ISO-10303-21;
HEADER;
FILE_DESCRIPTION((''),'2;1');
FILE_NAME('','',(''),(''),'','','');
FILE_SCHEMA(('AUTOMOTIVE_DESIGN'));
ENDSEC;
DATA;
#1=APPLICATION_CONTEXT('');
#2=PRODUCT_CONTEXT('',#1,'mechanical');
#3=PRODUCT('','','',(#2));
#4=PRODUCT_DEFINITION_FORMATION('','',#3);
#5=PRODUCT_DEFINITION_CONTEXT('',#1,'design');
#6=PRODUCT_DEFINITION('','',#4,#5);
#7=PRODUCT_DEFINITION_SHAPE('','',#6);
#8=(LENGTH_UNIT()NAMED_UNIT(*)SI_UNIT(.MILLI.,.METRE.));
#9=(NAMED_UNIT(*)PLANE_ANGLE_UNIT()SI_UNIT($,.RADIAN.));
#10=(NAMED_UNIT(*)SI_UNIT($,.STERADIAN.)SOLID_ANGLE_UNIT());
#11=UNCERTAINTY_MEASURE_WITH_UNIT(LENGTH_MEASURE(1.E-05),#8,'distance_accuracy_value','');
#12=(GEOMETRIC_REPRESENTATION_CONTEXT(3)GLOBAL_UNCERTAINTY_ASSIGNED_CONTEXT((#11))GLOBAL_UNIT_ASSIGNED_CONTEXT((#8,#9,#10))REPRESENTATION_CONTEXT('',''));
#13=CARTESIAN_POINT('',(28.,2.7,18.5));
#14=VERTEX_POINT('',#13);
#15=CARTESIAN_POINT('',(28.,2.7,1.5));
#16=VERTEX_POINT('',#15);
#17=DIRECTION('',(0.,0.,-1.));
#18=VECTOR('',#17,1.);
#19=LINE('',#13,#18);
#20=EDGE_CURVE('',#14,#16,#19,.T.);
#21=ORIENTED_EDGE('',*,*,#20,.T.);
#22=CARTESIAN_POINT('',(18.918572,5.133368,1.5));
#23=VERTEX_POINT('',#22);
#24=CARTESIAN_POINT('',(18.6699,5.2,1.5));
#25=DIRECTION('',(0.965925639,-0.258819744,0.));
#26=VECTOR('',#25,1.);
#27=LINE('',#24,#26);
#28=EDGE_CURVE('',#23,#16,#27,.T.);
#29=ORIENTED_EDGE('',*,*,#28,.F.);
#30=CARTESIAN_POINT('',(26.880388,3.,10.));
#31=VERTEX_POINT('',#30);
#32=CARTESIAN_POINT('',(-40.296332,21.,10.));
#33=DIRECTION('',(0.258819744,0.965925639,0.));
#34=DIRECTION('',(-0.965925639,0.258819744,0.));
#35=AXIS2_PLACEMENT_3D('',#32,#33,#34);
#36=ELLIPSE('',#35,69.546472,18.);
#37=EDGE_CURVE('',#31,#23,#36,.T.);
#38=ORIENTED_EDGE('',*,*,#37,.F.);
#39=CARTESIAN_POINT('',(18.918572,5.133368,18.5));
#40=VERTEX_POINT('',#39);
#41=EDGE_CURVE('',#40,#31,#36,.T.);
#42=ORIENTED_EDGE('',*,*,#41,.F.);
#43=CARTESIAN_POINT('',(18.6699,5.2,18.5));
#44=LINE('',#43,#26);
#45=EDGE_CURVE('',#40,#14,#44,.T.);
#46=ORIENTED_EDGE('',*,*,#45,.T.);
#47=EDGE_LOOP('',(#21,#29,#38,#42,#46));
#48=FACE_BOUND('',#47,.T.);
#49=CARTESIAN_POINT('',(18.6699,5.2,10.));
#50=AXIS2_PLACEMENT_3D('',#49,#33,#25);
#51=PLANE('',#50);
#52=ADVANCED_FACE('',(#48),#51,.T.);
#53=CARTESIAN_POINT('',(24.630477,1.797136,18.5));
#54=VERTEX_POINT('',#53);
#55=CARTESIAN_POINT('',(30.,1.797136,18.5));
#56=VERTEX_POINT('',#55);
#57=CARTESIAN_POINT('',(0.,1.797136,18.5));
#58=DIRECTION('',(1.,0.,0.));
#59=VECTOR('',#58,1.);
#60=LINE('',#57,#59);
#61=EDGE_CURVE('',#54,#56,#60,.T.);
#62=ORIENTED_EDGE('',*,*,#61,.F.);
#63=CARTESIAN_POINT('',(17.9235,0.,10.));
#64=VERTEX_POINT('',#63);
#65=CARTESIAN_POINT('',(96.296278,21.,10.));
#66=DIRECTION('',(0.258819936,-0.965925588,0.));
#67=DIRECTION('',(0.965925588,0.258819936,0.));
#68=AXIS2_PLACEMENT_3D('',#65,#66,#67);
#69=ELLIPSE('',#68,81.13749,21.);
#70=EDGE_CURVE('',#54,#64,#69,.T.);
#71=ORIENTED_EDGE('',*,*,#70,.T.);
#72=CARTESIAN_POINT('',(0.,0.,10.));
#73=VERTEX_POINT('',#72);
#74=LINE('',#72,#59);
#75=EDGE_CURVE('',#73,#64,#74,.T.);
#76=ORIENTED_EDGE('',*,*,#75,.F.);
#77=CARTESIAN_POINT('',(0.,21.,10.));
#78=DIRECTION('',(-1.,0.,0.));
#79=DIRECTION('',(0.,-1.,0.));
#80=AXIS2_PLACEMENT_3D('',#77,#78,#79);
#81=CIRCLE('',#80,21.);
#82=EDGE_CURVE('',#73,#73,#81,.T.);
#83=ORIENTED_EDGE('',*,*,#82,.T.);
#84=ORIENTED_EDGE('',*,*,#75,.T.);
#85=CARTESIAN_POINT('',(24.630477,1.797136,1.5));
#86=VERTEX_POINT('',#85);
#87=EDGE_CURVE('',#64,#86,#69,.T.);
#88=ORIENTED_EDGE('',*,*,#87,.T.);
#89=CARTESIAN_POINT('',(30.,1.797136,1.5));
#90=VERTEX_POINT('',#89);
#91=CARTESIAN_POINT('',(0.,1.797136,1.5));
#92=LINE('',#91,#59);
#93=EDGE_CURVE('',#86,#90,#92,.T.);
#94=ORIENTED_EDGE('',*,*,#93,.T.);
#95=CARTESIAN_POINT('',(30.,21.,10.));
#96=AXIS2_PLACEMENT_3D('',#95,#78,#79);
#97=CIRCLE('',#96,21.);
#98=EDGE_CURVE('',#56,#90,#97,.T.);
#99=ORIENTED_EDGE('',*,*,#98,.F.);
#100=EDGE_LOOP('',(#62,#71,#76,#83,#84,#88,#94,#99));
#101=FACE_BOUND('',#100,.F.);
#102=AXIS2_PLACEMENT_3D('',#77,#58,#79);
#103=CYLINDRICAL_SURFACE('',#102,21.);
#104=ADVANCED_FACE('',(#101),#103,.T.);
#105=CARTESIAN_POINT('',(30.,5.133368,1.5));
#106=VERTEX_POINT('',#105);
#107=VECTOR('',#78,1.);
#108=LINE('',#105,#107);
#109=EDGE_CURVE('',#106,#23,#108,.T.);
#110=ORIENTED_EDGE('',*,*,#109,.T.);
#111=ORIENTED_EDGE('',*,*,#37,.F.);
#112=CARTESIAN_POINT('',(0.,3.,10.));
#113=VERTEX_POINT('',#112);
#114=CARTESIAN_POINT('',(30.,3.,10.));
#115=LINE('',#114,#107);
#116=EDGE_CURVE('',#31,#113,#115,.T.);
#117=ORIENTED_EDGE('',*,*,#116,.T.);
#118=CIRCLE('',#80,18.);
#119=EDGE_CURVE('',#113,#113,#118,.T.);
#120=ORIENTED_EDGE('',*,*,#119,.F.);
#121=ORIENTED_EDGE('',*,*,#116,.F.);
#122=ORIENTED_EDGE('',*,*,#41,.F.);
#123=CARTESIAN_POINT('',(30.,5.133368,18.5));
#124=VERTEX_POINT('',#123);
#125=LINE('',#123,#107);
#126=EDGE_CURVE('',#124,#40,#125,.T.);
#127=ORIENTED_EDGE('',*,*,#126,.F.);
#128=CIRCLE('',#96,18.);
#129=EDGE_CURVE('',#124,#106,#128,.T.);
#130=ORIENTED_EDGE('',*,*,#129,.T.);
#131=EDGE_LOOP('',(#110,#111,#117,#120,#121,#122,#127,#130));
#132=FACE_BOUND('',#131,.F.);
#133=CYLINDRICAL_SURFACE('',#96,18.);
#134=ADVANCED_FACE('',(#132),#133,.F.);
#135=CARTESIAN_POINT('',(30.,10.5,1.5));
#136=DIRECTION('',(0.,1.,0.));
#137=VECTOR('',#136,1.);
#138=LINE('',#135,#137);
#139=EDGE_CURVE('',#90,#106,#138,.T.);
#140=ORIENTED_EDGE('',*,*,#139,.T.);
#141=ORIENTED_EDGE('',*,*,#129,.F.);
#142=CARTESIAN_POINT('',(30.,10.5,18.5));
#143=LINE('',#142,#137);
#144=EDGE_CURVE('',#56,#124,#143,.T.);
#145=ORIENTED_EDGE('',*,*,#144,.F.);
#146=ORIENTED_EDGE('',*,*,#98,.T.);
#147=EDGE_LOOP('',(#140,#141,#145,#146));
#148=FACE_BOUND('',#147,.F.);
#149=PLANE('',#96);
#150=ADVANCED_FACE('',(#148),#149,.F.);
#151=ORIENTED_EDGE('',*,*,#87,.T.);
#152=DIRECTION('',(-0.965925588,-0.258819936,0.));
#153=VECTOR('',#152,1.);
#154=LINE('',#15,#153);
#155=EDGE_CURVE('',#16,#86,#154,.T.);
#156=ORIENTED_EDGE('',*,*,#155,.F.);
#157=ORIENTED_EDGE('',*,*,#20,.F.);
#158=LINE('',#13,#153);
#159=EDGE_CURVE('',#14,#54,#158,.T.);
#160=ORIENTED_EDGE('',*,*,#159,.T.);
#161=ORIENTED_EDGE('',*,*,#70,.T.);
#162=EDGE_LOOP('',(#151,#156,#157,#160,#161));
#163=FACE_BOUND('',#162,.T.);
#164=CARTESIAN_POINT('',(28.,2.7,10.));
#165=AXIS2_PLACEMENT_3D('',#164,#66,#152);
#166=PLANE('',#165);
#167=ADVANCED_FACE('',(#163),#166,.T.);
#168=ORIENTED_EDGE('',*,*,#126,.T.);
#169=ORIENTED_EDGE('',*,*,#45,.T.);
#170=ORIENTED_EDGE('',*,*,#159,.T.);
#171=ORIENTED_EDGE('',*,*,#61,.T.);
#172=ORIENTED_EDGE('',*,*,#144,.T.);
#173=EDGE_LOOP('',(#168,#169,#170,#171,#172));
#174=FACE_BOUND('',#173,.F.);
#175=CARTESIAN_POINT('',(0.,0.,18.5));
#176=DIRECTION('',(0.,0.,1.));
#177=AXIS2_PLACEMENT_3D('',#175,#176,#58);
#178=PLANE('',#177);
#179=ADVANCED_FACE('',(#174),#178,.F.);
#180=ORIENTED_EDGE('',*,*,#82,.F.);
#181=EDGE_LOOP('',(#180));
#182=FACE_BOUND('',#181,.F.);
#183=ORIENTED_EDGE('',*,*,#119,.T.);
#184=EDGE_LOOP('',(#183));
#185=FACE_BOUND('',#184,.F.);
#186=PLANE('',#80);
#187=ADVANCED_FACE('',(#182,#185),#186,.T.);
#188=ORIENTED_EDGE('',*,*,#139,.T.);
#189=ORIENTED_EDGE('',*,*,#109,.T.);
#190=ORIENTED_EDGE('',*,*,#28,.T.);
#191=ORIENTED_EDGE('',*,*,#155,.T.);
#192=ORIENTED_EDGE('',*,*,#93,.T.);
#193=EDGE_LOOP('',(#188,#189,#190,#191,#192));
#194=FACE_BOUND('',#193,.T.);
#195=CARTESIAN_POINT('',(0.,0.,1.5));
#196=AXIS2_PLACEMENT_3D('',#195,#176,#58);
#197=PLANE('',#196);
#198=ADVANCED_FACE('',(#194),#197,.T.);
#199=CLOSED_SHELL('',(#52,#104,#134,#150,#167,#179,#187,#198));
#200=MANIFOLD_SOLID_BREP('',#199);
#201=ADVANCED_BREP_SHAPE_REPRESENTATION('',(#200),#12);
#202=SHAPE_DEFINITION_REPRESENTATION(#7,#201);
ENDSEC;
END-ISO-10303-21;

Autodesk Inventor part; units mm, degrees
ref_plane "YZ Plane" through (0, 0, 0) normal (1, 0, 0) x (0, 1, 0)
ref_plane "XZ Plane" through (0, 0, 0) normal (0, 1, 0) x (-1, 0, 0)
ref_plane "Work Plane1" through (0, 0, 10) normal (0, 0, 1) x (1, 0, 0)
sketch "Sketch2" plane through (0, 0, 10) normal (0, 0, 1) x (1, 0, 0)
  line L0 (0, 0) -> (30, 0)
  line L1 (30, 0) -> (30, 3)
  line L2 (30, 3) -> (0, 3)
  line L3 (0, 3) -> (0, 0)
  line L4 (30, 21) -> (0, 21)
  dimension "d11" = 30
  dimension "d12" = 3
  dimension "d29" = 42
revolve "Revolution1" add sketch "Sketch2" angle 360 about axis through (30, 21, 10) along (-1, 0, 0)
sketch "Sketch3" plane through (0, 0, 10) normal (0, 0, 1) x (1, 0, 0)
  line L0 (17.9235, 0) -> (34.9235, 0)
  line L1 (34.9235, 0) -> (34.9235, 5.2)
  line L2 (34.9235, 5.2) -> (18.6699, 5.2)
  line L3 (18.6699, 5.2) -> (28, 2.7)
  line L4 (28, 2.7) -> (17.9235, 0)
  line L5 (0, 42) -> (0, 0) projected
  line L6 (-3.0148, 0) -> (-5.3111, 0)
  dimension "d17" = 17
  dimension "d19" = 15
  dimension "d20" = 15
  dimension "d21" = 2.7
  dimension "d23" = 28
  dimension "d24" = 5.2
  dimension "d25" = 5.3111
  dimension "d26" = 6.9235
extrude "Extrusion2" cut sketch "Sketch3" along normal mid plane 17
equation "\"d20\" = d19"
properties part number "Whistle 3.0"
